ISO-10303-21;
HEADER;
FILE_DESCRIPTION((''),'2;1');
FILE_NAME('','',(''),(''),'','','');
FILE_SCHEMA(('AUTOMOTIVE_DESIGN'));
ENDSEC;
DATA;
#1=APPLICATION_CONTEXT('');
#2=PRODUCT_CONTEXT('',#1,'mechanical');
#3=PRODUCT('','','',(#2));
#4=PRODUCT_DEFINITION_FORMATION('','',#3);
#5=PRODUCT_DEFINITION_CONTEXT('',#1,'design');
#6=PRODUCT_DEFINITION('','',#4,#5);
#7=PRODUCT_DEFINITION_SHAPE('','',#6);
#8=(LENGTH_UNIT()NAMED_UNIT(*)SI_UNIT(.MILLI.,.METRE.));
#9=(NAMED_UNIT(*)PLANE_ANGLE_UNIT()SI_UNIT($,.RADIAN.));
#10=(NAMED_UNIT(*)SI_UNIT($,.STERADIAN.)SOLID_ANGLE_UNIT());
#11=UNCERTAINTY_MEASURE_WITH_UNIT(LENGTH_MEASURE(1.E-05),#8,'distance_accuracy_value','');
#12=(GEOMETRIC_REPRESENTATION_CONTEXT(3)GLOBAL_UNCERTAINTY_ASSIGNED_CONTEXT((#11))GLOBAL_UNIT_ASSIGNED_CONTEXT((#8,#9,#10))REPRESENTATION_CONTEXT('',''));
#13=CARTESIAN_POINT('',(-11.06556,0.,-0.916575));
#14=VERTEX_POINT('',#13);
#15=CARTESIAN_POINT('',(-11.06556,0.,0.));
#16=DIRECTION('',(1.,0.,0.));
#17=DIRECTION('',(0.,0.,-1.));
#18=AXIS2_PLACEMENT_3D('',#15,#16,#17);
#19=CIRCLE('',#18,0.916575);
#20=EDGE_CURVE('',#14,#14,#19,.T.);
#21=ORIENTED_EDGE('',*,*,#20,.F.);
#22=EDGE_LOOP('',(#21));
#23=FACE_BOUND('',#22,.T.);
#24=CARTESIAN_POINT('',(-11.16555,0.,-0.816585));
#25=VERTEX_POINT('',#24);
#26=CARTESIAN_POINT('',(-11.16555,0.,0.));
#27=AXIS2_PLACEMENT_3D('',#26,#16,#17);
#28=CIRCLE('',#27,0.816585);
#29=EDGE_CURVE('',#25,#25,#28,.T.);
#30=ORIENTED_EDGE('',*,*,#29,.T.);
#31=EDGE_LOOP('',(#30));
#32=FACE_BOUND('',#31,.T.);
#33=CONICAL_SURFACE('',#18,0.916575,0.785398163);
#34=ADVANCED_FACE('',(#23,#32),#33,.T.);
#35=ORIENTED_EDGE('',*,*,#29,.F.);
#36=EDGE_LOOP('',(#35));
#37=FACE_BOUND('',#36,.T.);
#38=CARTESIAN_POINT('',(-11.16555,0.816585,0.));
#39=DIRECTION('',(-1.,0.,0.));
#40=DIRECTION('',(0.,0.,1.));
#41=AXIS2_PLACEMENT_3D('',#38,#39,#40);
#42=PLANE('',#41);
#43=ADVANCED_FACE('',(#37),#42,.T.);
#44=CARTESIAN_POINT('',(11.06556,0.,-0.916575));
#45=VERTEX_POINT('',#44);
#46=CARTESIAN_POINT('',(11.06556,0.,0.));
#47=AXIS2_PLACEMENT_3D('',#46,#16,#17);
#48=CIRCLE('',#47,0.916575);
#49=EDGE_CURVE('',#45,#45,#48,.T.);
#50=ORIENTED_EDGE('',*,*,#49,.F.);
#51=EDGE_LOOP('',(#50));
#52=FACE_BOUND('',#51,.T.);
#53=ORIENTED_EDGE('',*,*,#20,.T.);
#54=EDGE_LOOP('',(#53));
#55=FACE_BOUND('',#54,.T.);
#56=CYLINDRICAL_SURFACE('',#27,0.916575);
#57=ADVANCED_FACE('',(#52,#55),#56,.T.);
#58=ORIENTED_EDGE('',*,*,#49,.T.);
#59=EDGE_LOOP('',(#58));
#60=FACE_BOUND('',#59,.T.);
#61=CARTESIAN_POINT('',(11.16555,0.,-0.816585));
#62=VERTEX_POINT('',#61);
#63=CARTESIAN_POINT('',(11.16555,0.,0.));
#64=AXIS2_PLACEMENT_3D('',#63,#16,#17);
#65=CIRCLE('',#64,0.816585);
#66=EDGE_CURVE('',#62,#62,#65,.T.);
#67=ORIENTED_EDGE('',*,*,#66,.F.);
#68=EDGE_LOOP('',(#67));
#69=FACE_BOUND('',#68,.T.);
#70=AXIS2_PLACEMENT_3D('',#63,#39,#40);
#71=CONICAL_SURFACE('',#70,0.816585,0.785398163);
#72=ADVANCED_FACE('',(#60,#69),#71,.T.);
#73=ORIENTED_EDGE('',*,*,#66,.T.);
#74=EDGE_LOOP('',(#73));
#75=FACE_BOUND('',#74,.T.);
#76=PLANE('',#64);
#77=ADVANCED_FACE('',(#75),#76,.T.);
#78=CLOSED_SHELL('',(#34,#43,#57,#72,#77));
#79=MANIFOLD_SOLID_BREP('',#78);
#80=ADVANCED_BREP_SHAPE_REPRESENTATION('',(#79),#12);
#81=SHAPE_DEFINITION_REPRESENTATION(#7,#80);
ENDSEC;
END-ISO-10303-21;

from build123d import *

# Parameters (mm, degrees)
SCALE1_SCALE = 0.3333


with BuildPart() as part:
    # Sketch1 → Revolve1 (revolve)
    with BuildSketch(Plane.XY, mode=Mode.PRIVATE) as revolve1_sk:
        Polygon((-33.5, 2.45), (-33.5, 0), (33.5, 0), (33.5, 2.45), (33.2, 2.75), (-33.2, 2.75), align=None)
    revolve(revolve1_sk.sketch.rotate(Axis((-33.5, 0, 0), (1, 0, 0)), 270), axis=Axis((-33.5, 0, 0), (1, 0, 0)))


with BuildPart() as part_1:
    # Scale1: scaled about (0, 0, 0)
    add(part.part.scale(SCALE1_SCALE))


solid = part_1.part
